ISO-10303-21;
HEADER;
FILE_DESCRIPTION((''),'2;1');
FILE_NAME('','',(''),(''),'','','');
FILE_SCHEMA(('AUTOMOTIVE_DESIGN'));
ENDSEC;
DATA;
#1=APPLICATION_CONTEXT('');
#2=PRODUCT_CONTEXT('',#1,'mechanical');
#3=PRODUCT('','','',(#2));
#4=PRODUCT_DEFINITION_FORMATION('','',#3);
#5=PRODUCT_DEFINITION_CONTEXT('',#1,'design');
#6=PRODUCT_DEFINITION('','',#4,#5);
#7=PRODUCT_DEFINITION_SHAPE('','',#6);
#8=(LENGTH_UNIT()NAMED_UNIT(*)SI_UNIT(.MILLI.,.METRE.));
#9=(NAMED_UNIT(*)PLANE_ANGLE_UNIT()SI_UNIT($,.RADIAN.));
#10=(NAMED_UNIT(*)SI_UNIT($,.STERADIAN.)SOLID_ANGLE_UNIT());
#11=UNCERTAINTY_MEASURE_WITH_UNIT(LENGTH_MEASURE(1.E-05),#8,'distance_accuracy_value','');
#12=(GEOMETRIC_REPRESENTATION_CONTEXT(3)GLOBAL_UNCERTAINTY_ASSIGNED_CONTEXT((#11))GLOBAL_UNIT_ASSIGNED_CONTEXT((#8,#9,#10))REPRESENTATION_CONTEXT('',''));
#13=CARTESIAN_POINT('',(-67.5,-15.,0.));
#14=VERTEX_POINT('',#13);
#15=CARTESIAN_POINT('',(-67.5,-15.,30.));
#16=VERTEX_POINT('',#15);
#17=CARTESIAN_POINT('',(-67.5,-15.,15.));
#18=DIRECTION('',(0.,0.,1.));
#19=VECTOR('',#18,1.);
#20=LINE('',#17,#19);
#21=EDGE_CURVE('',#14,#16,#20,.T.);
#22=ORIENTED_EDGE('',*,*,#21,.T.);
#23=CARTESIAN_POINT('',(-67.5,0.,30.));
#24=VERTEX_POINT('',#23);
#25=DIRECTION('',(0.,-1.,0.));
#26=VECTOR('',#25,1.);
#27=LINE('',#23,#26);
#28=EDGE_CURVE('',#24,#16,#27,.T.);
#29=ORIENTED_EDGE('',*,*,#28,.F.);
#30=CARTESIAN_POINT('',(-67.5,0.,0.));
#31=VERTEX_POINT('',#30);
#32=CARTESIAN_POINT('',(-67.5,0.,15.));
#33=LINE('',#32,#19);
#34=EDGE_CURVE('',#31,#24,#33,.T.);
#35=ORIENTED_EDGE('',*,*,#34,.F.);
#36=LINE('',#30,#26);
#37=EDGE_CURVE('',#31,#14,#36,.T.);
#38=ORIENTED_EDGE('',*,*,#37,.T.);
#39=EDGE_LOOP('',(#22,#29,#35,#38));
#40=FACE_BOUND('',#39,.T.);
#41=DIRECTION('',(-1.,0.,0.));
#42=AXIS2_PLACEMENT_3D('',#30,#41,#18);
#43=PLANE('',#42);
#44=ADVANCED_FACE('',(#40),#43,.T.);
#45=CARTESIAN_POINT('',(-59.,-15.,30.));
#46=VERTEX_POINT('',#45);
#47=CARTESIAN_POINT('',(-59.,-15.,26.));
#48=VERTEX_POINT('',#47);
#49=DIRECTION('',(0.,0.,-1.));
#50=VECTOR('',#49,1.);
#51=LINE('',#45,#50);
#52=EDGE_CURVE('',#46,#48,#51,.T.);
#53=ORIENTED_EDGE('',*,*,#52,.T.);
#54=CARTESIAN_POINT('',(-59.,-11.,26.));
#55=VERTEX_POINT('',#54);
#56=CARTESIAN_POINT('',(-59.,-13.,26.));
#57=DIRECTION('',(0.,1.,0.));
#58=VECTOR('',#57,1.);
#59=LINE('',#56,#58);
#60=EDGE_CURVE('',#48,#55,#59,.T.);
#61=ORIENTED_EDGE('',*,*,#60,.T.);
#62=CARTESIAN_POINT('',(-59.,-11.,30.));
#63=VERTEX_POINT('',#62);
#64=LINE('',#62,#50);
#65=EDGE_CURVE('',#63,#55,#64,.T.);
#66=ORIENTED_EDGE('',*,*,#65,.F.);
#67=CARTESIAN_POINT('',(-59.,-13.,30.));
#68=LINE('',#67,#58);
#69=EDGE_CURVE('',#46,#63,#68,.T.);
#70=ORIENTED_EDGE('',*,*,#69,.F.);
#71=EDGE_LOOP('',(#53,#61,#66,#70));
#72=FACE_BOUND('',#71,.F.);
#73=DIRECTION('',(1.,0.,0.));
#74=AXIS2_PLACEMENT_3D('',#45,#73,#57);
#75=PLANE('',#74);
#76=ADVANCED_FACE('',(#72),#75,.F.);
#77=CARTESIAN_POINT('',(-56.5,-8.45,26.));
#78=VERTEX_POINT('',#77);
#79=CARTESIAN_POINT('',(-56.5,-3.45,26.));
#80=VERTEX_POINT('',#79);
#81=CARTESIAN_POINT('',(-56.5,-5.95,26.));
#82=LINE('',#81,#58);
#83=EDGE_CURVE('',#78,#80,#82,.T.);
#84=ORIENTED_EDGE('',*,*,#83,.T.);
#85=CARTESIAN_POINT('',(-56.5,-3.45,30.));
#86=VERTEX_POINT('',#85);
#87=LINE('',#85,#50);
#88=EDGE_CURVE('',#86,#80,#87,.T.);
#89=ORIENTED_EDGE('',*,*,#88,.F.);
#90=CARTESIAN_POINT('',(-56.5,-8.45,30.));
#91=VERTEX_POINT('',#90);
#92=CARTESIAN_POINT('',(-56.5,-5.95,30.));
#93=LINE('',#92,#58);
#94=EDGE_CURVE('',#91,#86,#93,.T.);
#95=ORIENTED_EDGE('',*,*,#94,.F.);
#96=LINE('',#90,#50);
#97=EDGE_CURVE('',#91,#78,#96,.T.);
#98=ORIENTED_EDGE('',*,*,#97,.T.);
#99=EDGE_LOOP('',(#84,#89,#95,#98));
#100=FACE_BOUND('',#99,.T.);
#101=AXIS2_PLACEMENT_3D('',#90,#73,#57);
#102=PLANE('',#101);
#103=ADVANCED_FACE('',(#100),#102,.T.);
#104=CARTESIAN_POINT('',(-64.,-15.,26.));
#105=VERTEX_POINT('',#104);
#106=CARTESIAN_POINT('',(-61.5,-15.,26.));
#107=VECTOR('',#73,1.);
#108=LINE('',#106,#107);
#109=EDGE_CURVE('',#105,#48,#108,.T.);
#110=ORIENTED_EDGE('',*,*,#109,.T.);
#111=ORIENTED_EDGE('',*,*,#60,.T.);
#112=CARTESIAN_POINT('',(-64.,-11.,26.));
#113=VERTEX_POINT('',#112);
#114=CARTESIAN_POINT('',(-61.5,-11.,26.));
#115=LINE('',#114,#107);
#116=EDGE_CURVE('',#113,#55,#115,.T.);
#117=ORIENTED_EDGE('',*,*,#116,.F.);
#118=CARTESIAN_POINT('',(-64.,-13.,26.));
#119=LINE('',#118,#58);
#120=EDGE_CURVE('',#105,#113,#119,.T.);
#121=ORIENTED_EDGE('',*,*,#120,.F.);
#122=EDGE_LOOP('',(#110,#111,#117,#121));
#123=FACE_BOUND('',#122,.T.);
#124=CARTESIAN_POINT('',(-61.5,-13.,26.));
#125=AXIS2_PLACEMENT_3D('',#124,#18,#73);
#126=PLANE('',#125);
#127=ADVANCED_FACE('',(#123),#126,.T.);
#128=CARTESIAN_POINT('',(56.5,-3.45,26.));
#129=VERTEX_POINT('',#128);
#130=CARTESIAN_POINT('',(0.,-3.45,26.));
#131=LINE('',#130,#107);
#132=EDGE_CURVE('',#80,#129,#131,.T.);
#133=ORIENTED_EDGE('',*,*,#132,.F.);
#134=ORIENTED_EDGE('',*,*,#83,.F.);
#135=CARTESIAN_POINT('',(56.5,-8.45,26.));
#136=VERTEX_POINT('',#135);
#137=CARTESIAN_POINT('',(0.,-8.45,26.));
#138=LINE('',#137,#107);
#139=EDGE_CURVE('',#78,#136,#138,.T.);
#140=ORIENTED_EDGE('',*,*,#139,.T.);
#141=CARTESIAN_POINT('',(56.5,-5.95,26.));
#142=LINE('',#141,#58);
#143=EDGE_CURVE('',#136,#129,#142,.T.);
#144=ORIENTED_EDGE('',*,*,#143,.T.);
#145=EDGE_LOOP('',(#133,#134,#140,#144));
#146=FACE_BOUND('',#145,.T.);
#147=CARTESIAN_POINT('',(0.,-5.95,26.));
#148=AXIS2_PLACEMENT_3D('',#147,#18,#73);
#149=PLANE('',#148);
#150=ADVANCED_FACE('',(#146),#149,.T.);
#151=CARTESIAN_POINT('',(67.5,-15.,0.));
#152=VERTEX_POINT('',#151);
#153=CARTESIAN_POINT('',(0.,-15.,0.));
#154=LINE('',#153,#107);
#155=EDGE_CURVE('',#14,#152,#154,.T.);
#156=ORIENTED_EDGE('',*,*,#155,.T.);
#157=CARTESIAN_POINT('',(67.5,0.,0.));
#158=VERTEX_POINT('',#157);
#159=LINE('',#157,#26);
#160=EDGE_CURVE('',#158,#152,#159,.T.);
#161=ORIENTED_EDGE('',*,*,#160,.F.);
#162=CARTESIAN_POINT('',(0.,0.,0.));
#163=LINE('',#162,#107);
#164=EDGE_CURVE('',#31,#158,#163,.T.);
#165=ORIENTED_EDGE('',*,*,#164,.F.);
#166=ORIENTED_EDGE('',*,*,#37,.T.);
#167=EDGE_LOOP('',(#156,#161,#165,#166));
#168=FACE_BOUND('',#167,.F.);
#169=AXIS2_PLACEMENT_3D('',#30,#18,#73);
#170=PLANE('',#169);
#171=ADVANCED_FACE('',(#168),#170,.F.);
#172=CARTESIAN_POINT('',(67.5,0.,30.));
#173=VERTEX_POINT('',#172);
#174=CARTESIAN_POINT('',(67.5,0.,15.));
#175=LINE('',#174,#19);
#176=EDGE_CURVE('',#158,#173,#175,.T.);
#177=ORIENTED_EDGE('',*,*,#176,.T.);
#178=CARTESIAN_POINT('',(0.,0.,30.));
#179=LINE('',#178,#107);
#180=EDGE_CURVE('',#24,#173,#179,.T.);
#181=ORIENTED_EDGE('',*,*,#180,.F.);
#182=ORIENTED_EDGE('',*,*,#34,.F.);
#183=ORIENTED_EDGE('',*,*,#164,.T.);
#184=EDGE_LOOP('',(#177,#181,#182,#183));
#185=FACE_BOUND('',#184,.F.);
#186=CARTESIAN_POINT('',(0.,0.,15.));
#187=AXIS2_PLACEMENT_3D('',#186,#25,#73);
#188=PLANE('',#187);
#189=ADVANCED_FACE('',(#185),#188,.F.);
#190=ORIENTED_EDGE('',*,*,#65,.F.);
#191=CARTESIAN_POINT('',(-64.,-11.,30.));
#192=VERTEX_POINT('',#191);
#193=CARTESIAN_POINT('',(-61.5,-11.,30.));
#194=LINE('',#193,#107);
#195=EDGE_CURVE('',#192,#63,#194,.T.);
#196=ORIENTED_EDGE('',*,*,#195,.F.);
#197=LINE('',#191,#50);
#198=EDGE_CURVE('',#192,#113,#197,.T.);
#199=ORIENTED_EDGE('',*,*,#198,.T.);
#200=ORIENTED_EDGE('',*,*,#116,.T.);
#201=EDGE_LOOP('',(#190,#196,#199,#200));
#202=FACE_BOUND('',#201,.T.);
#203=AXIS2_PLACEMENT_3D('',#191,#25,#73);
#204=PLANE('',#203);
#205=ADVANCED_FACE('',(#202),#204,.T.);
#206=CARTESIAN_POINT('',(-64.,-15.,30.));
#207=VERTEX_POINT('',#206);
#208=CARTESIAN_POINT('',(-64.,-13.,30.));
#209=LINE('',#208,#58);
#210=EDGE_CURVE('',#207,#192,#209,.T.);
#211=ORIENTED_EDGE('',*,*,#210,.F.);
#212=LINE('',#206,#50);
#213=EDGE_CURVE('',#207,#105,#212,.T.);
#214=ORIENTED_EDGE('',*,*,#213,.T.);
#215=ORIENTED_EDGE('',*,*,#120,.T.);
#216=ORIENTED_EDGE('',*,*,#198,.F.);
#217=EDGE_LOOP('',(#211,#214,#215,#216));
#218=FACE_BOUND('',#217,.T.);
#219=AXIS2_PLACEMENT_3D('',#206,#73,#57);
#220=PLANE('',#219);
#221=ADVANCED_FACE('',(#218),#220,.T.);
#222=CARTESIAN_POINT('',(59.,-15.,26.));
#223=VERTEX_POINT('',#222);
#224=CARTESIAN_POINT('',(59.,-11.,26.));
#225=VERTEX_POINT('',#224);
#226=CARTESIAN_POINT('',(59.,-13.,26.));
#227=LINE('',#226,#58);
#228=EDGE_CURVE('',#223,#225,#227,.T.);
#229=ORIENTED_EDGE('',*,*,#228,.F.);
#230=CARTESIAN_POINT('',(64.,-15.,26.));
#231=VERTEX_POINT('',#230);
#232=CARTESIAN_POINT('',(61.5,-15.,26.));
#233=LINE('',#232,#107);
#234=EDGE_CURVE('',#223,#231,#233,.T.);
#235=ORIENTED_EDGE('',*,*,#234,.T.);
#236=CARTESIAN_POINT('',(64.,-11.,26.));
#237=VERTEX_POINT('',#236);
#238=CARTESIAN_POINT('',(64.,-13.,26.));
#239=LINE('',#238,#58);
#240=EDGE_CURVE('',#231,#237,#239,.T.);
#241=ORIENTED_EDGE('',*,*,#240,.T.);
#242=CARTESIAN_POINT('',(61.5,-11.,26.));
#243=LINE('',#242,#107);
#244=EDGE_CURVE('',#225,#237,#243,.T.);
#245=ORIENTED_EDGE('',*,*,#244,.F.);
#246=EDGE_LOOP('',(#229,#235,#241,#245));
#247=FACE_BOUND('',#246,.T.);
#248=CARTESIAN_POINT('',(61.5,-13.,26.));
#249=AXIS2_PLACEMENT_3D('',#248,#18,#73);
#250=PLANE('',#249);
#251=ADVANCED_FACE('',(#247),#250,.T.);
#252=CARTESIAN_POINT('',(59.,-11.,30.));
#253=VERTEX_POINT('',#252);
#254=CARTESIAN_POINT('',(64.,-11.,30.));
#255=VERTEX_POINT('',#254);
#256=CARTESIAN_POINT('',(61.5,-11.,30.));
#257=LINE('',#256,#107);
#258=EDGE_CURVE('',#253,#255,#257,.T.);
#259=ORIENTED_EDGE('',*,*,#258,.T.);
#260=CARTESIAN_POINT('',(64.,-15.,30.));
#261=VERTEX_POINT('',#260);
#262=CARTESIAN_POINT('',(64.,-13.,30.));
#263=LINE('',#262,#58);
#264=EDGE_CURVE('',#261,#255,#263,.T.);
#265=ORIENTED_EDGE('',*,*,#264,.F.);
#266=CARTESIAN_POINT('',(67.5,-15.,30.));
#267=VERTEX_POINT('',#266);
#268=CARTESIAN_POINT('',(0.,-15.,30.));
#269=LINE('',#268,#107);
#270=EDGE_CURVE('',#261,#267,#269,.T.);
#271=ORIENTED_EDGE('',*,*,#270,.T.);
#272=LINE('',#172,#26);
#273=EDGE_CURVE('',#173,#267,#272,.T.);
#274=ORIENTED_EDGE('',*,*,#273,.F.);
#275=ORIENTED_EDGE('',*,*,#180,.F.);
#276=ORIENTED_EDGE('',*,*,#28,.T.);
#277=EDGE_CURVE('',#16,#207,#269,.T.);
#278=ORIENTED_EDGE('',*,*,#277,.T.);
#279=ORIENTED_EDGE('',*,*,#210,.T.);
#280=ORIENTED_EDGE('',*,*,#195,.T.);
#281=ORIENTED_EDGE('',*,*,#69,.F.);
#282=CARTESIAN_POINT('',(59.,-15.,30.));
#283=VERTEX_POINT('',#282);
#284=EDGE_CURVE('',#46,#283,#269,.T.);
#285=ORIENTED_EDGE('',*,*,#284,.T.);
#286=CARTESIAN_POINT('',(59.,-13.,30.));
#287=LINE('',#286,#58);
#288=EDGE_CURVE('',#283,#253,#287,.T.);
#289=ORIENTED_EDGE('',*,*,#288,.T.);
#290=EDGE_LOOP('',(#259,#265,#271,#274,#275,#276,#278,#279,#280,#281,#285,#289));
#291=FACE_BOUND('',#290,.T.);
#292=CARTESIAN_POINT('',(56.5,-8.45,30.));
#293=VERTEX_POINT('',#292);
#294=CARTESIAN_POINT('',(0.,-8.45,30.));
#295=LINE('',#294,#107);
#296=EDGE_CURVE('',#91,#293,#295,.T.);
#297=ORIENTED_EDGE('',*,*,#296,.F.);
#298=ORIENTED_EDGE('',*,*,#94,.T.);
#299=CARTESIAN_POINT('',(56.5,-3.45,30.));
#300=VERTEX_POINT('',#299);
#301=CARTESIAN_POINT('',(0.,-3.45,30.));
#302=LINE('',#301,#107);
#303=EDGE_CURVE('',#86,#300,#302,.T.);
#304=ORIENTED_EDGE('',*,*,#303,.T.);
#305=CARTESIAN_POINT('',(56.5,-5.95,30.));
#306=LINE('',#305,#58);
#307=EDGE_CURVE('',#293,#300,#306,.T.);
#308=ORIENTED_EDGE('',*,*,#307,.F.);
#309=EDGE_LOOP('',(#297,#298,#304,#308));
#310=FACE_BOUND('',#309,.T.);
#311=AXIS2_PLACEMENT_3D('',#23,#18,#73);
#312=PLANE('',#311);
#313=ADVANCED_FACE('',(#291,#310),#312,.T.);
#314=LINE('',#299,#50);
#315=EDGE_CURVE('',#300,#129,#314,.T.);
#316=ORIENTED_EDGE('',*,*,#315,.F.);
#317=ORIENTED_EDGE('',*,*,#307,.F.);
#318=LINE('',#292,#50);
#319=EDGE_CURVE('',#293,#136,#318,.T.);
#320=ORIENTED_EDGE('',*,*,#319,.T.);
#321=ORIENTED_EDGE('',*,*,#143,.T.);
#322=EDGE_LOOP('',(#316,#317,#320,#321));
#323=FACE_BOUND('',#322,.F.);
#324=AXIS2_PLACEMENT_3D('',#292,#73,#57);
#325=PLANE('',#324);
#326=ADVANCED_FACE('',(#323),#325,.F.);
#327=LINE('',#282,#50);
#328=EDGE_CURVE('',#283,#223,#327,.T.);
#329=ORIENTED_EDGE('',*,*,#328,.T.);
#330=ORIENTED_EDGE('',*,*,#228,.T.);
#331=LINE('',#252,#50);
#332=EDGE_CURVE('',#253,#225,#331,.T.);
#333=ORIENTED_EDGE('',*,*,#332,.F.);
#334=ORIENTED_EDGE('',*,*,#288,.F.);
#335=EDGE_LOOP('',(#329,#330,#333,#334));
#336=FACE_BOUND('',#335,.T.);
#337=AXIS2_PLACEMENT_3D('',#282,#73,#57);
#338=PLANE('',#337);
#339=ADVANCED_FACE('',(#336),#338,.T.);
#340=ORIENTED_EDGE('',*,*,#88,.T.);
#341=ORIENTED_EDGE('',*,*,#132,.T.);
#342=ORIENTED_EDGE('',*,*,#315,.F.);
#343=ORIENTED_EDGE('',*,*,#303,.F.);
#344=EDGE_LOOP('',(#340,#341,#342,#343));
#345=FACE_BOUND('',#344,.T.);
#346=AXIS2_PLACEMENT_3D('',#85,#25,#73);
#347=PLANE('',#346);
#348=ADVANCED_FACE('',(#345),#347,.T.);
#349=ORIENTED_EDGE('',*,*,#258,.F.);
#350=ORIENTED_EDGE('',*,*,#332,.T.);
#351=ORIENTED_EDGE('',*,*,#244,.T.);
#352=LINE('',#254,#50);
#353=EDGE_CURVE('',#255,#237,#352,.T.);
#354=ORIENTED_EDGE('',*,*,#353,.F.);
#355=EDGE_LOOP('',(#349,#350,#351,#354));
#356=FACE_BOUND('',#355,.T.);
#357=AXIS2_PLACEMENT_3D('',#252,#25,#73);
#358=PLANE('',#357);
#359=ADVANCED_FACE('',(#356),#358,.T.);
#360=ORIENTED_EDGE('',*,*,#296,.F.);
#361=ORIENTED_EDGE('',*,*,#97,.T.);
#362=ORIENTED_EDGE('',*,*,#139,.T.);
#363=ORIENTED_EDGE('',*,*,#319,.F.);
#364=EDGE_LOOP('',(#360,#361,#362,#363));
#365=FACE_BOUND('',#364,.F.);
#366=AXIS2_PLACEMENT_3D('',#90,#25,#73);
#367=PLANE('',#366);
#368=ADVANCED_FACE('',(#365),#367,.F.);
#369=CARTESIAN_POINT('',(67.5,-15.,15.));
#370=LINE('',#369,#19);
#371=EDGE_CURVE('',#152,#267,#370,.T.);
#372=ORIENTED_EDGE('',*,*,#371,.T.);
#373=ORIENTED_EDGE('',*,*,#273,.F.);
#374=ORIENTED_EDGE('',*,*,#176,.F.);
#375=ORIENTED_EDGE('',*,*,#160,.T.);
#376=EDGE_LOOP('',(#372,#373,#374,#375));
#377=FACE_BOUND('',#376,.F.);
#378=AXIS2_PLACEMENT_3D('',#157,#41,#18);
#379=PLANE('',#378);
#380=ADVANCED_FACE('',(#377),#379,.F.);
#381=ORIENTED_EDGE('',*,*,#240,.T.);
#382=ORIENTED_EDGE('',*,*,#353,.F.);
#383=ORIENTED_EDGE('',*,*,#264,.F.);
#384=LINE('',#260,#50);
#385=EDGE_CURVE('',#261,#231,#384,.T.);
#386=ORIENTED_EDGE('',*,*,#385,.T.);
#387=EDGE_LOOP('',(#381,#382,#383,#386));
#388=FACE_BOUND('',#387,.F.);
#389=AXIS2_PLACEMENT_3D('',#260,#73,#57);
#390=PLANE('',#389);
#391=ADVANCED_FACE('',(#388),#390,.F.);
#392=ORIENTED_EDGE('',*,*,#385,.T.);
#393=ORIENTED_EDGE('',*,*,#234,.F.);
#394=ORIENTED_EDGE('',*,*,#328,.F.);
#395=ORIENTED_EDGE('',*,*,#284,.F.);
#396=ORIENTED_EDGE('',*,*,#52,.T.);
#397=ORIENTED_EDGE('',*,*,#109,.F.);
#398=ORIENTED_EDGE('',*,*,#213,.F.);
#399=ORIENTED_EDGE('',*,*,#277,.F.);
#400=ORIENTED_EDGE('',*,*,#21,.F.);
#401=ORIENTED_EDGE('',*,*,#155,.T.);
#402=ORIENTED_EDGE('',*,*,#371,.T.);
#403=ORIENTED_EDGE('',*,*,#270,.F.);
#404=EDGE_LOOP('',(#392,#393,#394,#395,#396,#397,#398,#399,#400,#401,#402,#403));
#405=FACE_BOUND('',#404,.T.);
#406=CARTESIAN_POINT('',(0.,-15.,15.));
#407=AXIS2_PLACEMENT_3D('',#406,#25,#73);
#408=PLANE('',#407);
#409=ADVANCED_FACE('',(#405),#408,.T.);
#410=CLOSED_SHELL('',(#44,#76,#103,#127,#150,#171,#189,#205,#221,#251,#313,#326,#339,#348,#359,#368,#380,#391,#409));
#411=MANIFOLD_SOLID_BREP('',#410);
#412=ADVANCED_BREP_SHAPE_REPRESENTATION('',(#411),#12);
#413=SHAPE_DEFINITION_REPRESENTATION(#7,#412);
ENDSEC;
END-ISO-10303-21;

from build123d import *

# Parameters (mm, degrees)
F0_W     = 135
F0_H     = 30
F1_DEPTH = 15
F2_W     = 113
F2_H     = 5
F3_DEPTH = 4
F4_W     = 5
F4_H     = 4
F5_DEPTH = 4


with BuildPart() as f1:
    # F0 (on Front) → F1 (new body)
    with BuildSketch(Plane.XZ):
        with Locations((0, 15)):
            Rectangle(F0_W, F0_H)
    extrude(amount=F1_DEPTH)

    # F2 (on face) → F3 (cut)
    with BuildSketch(Plane.XY.offset(30)):
        with Locations((0, -5.95)):
            Rectangle(F2_W, F2_H)
    extrude(amount=-F3_DEPTH, mode=Mode.SUBTRACT)

    # F4 (on face) → F5 (cut)
    with BuildSketch(Plane.XY.offset(30)):
        with Locations((61.5, -13)):
            Rectangle(F4_W, F4_H)
        with Locations((-61.5, -13)):
            Rectangle(F4_W, F4_H)
    extrude(amount=-F5_DEPTH, mode=Mode.SUBTRACT)


solid = f1.part
